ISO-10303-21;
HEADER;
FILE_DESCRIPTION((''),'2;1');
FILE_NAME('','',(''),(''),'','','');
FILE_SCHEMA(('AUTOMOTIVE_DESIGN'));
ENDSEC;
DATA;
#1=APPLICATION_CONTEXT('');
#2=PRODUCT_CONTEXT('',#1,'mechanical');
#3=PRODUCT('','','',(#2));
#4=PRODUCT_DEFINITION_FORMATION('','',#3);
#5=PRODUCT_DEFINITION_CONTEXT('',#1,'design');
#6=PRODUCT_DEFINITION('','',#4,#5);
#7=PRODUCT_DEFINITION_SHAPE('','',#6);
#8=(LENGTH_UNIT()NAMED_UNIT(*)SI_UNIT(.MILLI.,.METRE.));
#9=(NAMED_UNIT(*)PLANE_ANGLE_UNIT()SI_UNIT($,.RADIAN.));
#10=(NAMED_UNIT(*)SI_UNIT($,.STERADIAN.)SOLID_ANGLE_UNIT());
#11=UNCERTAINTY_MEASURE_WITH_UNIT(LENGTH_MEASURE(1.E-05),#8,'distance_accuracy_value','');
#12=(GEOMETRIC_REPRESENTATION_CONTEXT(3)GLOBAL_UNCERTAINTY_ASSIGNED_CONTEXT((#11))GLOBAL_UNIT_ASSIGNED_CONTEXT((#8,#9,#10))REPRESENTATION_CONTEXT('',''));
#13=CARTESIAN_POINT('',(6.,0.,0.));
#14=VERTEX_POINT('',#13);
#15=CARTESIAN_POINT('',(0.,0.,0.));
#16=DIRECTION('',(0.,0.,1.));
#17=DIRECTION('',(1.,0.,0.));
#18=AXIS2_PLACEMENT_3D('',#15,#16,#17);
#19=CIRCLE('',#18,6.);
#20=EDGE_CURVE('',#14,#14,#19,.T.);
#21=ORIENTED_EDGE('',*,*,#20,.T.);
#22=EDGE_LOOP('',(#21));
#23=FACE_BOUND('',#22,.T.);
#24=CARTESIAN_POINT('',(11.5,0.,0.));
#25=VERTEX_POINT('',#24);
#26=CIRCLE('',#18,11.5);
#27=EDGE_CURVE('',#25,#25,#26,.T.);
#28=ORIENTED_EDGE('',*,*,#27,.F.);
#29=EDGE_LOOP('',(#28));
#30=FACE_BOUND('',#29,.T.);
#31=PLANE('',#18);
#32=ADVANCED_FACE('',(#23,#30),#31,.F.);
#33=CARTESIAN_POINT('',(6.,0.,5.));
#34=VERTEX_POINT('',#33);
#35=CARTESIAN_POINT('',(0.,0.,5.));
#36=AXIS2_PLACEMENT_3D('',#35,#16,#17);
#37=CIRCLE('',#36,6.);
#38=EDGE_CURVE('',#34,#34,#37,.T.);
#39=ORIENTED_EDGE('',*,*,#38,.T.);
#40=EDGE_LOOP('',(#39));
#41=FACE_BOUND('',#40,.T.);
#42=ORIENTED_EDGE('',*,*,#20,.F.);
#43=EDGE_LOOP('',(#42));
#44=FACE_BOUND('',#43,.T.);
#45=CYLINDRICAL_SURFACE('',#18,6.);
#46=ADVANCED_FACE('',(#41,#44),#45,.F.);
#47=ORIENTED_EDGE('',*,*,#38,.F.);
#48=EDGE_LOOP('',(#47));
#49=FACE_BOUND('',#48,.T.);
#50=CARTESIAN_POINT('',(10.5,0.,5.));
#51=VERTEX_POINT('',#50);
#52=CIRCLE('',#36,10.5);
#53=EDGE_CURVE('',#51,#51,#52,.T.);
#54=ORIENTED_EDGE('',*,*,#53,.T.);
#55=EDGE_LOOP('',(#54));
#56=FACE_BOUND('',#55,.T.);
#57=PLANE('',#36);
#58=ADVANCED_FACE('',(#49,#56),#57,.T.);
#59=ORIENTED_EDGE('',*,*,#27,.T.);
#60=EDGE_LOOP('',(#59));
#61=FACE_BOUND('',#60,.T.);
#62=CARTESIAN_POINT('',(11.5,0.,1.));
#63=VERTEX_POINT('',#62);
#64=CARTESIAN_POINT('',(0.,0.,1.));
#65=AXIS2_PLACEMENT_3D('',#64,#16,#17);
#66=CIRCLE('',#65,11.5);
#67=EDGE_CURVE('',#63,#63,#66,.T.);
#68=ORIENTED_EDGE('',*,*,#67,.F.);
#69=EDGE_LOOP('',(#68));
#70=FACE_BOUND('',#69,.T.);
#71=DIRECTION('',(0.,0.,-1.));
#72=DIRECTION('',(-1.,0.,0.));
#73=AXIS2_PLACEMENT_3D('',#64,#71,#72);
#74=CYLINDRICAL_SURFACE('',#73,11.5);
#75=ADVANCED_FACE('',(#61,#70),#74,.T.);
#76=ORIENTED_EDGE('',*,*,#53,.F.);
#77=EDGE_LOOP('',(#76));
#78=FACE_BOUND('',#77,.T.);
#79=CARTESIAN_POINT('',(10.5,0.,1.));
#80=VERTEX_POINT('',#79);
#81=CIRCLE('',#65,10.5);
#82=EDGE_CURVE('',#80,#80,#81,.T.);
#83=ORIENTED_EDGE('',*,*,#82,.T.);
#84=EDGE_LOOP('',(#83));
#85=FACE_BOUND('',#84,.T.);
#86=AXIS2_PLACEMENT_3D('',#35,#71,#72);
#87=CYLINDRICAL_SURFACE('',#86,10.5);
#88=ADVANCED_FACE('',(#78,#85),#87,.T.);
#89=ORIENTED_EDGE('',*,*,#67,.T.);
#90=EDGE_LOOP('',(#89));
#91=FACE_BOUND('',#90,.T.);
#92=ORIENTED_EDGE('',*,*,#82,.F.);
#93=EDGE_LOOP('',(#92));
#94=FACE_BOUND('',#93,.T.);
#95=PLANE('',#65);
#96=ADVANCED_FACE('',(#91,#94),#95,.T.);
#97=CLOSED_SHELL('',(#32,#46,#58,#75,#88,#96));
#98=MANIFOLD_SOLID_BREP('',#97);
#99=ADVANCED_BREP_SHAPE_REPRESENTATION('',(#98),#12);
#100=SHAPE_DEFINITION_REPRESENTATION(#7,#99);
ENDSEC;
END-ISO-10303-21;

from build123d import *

# Parameters (mm, degrees)
SKETCH_1_R          = 11.5
EXTRUDE_1_DEPTH     = 1
SKETCH_2_R          = 10.5
EXTRUDE_2_DEPTH     = 4
SKETCH_3_R          = 6
CUT_EXTRUDE_1_DEPTH = 6


with BuildPart() as part:
    # 草图1 → 凸台-拉伸1 (new body)
    with BuildSketch(Plane.XY):
        Circle(SKETCH_1_R)
    extrude(amount=EXTRUDE_1_DEPTH)

    # 草图2 → 凸台-拉伸2 (add)
    with BuildSketch(Plane.XY.offset(1)):
        Circle(SKETCH_2_R)
    extrude(amount=EXTRUDE_2_DEPTH)

    # 草图3 → 切除-拉伸1 (cut, through all)
    with BuildSketch(Plane.XY.offset(5)):
        Circle(SKETCH_3_R)
    extrude(amount=-CUT_EXTRUDE_1_DEPTH, mode=Mode.SUBTRACT)


solid = part.part
